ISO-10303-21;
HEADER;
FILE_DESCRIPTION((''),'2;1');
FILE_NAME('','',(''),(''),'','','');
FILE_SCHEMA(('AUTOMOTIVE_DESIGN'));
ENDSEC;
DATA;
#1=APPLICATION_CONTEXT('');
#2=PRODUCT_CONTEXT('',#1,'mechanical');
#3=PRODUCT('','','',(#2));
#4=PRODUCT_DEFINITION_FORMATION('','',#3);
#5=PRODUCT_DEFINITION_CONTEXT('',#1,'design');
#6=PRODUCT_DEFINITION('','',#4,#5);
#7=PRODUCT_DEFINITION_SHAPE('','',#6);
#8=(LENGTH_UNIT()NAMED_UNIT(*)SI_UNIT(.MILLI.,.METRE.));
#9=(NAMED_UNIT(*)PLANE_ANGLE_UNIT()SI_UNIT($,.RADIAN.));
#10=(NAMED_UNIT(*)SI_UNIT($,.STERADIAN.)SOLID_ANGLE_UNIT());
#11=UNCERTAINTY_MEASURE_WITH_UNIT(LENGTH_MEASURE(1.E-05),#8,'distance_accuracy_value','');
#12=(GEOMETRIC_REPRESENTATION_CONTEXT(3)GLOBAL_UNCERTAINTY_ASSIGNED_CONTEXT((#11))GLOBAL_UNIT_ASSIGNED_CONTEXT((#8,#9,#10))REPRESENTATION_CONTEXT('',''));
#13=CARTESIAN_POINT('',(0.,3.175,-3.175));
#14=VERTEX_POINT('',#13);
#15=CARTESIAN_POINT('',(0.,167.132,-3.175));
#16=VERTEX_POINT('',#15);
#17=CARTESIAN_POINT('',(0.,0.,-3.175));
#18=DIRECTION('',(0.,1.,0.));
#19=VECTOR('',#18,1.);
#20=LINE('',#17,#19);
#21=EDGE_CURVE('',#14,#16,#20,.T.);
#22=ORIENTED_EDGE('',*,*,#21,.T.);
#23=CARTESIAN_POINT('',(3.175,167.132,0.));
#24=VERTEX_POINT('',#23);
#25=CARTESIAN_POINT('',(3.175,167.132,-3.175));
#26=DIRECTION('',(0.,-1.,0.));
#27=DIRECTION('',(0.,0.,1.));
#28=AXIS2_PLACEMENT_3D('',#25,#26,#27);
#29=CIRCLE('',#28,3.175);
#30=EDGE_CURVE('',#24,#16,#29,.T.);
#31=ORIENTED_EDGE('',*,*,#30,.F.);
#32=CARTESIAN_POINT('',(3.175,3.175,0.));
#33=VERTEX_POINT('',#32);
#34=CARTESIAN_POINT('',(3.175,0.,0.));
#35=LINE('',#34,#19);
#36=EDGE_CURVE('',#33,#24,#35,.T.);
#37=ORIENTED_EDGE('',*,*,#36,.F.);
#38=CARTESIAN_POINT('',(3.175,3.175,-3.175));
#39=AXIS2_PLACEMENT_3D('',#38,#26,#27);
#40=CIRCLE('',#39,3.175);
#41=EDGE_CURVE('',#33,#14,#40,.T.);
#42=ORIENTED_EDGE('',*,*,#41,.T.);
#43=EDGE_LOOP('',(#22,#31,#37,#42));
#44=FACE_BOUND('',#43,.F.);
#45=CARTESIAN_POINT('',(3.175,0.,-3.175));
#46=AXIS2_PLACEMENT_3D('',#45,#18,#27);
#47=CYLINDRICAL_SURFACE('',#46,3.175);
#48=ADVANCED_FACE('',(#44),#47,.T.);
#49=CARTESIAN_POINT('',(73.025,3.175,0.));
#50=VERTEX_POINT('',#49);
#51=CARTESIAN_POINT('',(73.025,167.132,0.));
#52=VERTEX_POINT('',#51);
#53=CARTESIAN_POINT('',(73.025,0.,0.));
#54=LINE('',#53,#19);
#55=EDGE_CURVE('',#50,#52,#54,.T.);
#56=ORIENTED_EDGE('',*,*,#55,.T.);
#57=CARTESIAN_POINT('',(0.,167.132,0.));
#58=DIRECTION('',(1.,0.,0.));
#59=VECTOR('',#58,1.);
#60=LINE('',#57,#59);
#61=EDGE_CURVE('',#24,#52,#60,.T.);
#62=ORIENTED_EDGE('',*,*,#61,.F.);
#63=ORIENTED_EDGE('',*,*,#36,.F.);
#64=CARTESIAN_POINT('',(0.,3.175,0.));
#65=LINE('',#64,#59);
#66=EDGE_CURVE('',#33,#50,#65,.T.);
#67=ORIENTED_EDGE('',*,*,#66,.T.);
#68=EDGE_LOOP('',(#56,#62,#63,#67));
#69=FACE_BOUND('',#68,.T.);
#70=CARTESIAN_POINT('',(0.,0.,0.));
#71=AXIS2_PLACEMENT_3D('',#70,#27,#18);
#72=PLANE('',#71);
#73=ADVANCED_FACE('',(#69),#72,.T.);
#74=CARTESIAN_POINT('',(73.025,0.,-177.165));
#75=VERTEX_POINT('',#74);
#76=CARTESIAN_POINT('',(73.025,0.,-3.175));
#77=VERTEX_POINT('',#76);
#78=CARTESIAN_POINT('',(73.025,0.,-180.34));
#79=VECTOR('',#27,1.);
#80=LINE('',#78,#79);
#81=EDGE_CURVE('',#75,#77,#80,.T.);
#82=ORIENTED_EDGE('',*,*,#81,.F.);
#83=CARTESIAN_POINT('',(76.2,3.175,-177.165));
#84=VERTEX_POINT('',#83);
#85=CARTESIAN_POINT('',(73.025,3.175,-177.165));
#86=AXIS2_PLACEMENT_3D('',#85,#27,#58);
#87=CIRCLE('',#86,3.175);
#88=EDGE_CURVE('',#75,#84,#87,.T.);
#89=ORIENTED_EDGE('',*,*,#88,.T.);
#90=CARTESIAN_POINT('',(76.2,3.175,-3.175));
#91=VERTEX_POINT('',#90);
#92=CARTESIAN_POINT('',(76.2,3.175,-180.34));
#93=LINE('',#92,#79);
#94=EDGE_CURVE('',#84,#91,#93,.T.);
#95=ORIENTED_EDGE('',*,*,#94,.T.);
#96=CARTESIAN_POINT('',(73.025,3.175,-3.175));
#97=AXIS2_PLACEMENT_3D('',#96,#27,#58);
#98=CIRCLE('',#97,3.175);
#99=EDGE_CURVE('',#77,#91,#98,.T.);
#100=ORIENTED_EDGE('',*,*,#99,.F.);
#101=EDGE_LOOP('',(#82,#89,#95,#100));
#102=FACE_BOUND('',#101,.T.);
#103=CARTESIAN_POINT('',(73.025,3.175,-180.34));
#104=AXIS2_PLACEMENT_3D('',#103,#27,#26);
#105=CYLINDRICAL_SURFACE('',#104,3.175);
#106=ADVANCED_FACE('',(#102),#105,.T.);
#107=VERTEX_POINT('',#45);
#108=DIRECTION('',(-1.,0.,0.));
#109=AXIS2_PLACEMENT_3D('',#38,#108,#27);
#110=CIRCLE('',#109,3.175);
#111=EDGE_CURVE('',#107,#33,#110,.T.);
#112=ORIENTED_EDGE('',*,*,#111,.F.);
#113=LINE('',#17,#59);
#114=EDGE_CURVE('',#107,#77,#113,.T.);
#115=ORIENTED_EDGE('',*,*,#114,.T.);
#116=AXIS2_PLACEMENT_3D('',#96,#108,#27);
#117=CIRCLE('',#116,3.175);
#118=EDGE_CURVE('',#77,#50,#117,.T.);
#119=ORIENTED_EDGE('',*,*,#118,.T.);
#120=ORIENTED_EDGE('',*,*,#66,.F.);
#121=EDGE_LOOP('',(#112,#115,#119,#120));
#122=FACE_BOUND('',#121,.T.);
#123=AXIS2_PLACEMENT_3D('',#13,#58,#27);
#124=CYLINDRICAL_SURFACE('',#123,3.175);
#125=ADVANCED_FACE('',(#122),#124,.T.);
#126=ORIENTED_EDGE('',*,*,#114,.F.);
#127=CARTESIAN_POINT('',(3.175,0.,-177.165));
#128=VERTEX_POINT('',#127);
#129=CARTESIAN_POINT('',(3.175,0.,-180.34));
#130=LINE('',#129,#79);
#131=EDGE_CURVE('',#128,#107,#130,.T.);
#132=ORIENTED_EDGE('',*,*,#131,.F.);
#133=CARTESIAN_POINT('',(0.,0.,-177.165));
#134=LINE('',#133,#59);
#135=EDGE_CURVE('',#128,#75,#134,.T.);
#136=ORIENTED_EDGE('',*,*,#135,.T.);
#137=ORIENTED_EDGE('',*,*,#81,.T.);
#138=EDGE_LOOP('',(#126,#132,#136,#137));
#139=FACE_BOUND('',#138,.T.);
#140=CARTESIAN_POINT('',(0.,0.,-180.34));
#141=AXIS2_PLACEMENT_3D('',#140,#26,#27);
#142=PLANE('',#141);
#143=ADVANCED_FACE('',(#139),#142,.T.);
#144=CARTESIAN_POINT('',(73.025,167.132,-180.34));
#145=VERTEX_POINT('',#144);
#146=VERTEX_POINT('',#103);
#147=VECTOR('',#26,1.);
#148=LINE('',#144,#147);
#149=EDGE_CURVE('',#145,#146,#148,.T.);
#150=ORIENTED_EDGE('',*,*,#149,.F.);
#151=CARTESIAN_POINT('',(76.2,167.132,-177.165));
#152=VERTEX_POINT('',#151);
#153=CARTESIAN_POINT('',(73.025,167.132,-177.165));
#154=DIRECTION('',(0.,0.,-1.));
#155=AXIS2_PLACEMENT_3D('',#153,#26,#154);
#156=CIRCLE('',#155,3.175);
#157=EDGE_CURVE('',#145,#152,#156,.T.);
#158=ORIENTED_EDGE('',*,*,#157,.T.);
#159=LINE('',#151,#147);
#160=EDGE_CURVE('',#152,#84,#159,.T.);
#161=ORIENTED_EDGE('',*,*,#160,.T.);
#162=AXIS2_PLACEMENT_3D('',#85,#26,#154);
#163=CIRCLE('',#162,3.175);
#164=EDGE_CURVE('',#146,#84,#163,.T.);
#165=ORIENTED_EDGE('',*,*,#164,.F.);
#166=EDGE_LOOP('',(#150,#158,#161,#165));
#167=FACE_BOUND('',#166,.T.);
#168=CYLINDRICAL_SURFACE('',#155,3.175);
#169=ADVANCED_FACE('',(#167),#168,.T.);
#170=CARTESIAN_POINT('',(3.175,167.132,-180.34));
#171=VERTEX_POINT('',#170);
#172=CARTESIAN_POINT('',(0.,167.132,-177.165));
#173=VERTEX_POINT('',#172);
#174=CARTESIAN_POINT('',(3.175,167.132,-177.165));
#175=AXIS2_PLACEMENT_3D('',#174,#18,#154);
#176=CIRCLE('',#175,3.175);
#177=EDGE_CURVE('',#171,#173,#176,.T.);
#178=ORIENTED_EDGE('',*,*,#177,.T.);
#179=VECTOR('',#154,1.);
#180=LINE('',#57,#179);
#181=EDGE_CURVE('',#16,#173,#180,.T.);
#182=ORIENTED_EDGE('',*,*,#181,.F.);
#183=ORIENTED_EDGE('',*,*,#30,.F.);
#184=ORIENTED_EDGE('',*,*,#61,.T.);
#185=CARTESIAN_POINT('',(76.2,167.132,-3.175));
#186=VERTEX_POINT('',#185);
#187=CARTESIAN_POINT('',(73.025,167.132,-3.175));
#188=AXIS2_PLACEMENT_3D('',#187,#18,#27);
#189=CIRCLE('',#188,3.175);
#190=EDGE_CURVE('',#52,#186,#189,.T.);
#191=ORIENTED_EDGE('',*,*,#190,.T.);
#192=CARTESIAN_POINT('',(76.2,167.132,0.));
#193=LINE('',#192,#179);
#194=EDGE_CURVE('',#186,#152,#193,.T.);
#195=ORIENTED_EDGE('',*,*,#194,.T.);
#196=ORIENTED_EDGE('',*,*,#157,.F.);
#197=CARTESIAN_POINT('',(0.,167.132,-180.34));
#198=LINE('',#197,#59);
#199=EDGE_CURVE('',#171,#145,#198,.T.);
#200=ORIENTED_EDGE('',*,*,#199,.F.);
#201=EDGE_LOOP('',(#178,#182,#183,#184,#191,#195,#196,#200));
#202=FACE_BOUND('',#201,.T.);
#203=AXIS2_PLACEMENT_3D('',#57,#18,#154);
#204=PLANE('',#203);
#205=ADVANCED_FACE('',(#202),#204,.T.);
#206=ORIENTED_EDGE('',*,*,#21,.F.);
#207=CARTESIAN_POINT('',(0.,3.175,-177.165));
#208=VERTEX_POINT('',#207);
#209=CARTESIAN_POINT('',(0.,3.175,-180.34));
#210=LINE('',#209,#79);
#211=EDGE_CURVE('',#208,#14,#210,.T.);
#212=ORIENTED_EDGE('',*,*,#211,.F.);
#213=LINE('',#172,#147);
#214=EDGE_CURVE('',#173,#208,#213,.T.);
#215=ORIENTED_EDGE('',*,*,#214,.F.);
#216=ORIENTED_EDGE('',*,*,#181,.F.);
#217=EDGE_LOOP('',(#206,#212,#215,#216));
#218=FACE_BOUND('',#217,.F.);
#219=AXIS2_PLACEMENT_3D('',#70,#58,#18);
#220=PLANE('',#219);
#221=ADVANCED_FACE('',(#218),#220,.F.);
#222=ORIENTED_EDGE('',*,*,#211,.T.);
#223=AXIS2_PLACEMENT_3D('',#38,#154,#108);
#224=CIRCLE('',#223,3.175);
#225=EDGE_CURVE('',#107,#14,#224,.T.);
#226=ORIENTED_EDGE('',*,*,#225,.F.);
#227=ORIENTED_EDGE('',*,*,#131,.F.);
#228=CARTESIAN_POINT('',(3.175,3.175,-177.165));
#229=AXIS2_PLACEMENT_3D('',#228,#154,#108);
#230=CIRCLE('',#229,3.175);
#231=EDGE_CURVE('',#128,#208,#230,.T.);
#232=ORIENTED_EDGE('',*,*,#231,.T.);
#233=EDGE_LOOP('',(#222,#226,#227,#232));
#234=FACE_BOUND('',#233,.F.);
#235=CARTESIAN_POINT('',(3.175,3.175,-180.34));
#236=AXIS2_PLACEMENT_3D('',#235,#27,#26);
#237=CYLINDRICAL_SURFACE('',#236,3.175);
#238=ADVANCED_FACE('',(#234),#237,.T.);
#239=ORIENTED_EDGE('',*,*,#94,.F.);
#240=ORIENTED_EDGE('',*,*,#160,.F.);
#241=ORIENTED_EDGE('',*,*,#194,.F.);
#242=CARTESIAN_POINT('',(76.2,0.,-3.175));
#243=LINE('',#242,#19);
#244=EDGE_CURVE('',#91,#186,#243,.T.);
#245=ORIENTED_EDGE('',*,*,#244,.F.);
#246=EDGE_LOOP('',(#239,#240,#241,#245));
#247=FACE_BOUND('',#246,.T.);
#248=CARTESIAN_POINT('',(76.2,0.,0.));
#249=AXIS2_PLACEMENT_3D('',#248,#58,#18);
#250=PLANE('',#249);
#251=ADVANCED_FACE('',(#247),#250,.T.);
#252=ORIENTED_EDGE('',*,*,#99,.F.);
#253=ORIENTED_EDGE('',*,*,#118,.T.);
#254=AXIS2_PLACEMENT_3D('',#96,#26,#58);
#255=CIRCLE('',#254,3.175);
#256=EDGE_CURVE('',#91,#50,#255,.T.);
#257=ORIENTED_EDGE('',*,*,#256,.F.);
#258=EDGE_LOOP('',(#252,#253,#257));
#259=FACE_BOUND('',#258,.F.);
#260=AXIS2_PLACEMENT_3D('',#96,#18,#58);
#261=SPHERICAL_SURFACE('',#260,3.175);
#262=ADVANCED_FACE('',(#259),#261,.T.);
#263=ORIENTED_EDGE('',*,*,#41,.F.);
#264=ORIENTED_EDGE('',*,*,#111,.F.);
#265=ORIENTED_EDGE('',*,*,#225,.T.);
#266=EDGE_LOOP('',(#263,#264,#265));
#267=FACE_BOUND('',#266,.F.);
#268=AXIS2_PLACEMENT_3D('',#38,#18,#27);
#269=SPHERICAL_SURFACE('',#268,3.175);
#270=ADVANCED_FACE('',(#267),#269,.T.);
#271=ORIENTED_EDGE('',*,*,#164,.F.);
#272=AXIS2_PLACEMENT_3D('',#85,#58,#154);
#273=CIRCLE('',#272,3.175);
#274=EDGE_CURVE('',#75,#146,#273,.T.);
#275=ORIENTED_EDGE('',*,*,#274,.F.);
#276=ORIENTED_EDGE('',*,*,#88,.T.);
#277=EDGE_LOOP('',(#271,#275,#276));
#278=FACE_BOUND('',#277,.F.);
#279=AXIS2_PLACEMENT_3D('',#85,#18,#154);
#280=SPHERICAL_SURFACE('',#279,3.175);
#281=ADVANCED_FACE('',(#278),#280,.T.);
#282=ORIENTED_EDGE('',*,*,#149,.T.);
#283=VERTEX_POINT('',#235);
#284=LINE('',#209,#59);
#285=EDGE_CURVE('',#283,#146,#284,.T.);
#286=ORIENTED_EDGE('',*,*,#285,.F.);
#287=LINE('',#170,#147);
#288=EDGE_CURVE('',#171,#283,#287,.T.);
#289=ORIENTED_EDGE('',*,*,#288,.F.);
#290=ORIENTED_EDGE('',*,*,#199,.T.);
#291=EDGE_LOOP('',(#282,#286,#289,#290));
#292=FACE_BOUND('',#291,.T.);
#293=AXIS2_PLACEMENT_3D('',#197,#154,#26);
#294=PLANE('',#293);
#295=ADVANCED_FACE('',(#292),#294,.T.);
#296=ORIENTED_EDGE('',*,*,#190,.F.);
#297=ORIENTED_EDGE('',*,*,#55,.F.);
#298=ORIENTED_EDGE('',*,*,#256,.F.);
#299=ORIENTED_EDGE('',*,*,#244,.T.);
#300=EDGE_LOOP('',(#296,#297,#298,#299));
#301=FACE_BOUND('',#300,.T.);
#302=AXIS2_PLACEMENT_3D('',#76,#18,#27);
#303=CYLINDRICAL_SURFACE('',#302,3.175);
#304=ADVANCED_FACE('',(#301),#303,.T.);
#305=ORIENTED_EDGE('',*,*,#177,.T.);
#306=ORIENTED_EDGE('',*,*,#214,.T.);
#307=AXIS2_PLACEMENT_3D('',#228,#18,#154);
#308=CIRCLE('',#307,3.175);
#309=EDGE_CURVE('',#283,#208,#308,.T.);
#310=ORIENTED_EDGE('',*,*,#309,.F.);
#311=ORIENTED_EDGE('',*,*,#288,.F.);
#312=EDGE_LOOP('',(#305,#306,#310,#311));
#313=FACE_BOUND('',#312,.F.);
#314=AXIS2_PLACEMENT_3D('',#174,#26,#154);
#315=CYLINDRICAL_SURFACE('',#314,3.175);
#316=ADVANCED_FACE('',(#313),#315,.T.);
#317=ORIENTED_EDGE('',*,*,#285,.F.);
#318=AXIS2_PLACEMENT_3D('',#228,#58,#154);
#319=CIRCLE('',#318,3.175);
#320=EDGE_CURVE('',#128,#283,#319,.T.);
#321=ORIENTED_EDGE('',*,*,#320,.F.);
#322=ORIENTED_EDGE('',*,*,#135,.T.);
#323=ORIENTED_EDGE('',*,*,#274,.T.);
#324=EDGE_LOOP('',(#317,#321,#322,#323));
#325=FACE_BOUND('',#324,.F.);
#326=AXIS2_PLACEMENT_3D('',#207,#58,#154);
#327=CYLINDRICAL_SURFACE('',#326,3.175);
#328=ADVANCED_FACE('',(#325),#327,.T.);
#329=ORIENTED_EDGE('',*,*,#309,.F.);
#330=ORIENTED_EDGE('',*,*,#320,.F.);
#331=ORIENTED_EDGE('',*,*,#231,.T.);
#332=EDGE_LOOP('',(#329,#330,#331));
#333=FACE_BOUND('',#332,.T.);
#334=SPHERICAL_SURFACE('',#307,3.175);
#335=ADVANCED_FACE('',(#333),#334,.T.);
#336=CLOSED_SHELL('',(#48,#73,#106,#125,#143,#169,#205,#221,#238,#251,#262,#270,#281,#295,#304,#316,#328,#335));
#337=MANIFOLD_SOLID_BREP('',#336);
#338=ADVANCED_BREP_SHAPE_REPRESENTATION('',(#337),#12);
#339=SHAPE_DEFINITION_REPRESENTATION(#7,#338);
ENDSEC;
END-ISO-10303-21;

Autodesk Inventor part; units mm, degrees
ref_plane "YZ Plane" through (0, 0, 0) normal (1, 0, 0) x (0, 1, 0)
ref_plane "XZ Plane" through (0, 0, 0) normal (0, 1, 0) x (-1, 0, 0)
ref_plane "XY Plane" through (0, 0, 0) normal (0, 0, 1) x (1, 0, 0)
sketch "Sketch1" plane through (0, 0, 0) normal (1, 0, 0) x (0, 1, 0)
  line L0 (0, 0) -> (167.132, 0)
  line L1 (167.132, 0) -> (167.132, -180.34)
  line L2 (167.132, -180.34) -> (0, -180.34)
  line L3 (0, -180.34) -> (0, 0)
  dimension "d0" = 167.132
  dimension "d1" = 180.34
extrude "Extrusion1" add sketch "Sketch1" along normal blind 76.2
fillet "Fillet1" radius 3.175 8 edges at (76.2, 83.566, 0) (0, 83.566, 0) (76.2, 83.566, -180.34) (0, 83.566, -180.34) (38.1, 0, -180.34) (76.2, 0, -90.17) (38.1, 0, 0) (0, 0, -90.17)
properties part number "Battery"
